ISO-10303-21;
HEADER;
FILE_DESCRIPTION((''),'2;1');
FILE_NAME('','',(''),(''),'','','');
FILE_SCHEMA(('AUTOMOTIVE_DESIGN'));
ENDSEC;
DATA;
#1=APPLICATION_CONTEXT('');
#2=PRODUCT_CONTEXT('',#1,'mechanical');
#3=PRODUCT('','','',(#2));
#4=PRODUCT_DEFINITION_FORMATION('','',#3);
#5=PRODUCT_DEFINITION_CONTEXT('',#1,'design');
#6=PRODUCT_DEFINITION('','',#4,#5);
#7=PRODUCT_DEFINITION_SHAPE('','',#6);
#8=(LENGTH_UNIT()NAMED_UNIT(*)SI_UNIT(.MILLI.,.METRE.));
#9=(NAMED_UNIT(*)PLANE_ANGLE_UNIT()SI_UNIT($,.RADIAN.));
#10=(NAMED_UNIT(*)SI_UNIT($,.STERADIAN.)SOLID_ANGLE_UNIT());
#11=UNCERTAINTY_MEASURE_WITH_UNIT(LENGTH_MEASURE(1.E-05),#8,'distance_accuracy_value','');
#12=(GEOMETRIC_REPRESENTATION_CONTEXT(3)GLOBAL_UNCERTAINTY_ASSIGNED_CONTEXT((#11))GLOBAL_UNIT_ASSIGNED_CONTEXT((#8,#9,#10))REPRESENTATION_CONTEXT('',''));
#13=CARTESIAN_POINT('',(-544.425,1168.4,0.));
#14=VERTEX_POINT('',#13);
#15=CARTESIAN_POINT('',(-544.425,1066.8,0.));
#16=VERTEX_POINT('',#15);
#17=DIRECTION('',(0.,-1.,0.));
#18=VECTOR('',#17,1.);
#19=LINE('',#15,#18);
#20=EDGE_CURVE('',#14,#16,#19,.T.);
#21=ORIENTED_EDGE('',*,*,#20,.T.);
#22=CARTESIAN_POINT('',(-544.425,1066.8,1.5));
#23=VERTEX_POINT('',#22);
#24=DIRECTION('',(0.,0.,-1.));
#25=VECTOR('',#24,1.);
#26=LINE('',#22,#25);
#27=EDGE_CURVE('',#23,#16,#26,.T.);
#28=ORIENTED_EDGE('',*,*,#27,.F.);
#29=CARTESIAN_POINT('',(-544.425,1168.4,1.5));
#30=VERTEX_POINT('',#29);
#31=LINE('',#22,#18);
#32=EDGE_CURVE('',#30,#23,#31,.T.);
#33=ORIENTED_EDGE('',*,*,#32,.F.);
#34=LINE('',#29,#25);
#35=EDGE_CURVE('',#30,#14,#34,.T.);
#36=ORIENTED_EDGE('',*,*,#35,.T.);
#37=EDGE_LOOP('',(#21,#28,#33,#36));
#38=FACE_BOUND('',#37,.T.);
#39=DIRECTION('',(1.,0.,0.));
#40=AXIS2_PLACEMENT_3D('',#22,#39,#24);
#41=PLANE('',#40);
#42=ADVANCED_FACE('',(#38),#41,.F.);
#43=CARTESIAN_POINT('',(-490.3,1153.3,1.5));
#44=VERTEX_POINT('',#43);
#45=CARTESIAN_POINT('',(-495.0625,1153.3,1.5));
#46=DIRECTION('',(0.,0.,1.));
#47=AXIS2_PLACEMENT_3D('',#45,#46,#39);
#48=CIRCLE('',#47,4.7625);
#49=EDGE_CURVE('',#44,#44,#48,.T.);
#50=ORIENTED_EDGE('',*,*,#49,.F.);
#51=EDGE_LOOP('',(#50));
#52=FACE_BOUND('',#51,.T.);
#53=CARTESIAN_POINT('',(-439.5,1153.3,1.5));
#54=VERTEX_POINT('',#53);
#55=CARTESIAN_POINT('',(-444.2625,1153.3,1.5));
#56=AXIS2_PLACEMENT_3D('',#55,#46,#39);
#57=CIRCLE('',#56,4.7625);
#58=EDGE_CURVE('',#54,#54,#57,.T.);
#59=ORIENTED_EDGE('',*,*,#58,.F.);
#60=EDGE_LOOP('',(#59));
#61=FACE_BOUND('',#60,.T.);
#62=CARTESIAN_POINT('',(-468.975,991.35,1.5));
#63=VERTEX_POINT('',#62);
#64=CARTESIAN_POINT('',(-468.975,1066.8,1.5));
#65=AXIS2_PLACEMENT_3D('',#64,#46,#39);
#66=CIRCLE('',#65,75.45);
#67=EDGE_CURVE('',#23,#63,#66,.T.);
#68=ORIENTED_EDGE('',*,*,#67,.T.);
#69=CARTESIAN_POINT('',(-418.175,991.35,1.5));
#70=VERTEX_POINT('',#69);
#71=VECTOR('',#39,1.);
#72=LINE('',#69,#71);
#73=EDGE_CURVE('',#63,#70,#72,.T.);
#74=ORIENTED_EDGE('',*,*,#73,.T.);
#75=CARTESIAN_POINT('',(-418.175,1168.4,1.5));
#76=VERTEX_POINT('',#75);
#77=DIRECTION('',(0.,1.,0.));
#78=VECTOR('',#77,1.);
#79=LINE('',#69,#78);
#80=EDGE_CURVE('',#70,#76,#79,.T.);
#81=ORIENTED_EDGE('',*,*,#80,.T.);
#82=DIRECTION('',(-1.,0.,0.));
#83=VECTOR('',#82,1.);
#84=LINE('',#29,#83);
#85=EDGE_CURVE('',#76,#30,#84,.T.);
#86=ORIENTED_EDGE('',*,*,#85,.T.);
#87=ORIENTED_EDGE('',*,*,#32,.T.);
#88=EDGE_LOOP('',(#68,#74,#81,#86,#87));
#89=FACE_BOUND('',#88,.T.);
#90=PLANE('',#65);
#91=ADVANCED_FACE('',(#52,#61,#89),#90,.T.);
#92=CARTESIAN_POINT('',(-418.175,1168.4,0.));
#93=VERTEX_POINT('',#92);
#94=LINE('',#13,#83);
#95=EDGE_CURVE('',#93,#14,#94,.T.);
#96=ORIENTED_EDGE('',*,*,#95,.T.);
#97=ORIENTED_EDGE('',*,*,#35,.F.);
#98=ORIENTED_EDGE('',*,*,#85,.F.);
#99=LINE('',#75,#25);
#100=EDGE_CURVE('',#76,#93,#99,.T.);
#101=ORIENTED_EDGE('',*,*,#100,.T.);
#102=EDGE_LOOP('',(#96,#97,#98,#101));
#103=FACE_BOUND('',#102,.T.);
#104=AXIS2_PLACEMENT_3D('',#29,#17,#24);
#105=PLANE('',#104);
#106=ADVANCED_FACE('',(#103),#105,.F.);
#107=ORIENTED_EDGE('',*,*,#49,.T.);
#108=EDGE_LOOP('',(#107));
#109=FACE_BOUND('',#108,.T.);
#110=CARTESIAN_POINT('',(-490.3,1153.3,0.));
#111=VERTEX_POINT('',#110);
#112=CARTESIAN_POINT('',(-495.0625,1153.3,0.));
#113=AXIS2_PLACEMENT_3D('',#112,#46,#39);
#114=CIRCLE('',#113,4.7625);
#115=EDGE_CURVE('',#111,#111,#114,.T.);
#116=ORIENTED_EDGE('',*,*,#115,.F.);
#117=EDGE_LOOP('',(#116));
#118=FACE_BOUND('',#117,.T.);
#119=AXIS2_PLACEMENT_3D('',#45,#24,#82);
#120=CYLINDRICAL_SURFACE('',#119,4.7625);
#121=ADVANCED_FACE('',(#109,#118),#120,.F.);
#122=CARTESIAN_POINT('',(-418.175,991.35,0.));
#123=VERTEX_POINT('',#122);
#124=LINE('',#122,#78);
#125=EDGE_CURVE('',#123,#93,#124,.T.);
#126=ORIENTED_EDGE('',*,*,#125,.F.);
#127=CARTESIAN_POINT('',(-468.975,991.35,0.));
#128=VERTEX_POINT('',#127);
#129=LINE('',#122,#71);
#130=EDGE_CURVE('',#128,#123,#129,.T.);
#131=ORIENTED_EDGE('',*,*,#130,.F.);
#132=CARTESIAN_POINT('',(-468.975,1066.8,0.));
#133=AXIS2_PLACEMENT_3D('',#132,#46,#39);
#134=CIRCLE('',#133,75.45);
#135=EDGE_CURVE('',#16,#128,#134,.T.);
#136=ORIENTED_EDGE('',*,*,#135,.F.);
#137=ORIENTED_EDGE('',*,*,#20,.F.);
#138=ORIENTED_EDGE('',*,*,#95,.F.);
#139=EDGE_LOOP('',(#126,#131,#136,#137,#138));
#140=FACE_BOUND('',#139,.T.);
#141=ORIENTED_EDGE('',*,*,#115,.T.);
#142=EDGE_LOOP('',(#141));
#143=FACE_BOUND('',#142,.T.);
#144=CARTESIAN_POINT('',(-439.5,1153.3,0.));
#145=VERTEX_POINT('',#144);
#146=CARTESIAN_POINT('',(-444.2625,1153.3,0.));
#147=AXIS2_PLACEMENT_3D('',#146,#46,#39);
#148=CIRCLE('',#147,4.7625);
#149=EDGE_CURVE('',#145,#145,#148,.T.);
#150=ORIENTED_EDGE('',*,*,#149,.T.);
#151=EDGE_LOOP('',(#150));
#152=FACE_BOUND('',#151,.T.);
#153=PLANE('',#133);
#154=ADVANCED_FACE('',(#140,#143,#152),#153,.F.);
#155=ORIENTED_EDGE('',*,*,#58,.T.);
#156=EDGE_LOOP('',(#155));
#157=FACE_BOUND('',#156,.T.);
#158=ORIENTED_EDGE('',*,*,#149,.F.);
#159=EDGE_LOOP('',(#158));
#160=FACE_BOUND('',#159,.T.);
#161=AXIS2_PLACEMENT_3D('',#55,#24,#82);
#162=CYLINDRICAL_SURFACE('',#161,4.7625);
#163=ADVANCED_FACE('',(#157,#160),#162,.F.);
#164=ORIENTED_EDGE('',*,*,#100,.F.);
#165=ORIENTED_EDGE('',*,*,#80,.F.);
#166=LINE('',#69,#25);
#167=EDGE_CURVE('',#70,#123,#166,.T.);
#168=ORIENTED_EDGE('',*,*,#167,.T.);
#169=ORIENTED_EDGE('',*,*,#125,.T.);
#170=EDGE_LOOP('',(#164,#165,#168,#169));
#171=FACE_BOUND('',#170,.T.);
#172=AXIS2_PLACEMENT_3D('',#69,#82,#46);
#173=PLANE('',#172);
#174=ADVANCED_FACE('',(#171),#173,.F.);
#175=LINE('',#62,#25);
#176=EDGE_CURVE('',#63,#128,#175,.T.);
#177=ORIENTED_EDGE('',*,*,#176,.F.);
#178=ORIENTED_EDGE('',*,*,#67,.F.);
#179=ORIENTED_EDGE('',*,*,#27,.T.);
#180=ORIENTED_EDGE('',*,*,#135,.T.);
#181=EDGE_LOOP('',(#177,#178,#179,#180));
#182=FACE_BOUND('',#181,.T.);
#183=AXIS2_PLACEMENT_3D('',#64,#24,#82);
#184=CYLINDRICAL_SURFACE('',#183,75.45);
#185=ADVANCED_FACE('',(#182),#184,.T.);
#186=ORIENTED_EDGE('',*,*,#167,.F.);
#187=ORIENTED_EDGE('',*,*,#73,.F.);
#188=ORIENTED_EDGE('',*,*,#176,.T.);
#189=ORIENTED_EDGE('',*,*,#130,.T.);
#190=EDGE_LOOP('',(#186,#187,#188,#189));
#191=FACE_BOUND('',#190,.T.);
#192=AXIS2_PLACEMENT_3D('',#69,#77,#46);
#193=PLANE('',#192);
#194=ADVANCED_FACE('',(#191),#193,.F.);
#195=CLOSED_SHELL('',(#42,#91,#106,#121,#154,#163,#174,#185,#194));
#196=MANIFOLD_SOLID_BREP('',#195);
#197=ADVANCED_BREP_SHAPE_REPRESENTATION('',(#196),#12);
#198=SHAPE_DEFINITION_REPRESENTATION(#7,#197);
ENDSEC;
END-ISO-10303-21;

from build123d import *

# Parameters (mm, degrees)
SKETCH1_R      = 4.7625
EXTRUDE1_DEPTH = 1.5


with BuildPart() as part:
    # Sketch1 → Extrude1 (new body)
    with BuildSketch(Plane.XY):
        with BuildLine():
            Line((-418.175, 991.35), (-468.975, 991.35))
            ThreePointArc((-468.975, 991.35), (-522.326206641, 1013.448793359), (-544.425, 1066.8))
            Line((-544.425, 1066.8), (-544.425, 1168.4))
            Line((-544.425, 1168.4), (-418.175, 1168.4))
            Line((-418.175, 1168.4), (-418.175, 991.35))
        make_face()
        with Locations((-444.2625, 1153.3)):
            Circle(SKETCH1_R, mode=Mode.SUBTRACT)
        with Locations((-495.0625, 1153.3)):
            Circle(SKETCH1_R, mode=Mode.SUBTRACT)
    extrude(amount=EXTRUDE1_DEPTH)


solid = part.part
